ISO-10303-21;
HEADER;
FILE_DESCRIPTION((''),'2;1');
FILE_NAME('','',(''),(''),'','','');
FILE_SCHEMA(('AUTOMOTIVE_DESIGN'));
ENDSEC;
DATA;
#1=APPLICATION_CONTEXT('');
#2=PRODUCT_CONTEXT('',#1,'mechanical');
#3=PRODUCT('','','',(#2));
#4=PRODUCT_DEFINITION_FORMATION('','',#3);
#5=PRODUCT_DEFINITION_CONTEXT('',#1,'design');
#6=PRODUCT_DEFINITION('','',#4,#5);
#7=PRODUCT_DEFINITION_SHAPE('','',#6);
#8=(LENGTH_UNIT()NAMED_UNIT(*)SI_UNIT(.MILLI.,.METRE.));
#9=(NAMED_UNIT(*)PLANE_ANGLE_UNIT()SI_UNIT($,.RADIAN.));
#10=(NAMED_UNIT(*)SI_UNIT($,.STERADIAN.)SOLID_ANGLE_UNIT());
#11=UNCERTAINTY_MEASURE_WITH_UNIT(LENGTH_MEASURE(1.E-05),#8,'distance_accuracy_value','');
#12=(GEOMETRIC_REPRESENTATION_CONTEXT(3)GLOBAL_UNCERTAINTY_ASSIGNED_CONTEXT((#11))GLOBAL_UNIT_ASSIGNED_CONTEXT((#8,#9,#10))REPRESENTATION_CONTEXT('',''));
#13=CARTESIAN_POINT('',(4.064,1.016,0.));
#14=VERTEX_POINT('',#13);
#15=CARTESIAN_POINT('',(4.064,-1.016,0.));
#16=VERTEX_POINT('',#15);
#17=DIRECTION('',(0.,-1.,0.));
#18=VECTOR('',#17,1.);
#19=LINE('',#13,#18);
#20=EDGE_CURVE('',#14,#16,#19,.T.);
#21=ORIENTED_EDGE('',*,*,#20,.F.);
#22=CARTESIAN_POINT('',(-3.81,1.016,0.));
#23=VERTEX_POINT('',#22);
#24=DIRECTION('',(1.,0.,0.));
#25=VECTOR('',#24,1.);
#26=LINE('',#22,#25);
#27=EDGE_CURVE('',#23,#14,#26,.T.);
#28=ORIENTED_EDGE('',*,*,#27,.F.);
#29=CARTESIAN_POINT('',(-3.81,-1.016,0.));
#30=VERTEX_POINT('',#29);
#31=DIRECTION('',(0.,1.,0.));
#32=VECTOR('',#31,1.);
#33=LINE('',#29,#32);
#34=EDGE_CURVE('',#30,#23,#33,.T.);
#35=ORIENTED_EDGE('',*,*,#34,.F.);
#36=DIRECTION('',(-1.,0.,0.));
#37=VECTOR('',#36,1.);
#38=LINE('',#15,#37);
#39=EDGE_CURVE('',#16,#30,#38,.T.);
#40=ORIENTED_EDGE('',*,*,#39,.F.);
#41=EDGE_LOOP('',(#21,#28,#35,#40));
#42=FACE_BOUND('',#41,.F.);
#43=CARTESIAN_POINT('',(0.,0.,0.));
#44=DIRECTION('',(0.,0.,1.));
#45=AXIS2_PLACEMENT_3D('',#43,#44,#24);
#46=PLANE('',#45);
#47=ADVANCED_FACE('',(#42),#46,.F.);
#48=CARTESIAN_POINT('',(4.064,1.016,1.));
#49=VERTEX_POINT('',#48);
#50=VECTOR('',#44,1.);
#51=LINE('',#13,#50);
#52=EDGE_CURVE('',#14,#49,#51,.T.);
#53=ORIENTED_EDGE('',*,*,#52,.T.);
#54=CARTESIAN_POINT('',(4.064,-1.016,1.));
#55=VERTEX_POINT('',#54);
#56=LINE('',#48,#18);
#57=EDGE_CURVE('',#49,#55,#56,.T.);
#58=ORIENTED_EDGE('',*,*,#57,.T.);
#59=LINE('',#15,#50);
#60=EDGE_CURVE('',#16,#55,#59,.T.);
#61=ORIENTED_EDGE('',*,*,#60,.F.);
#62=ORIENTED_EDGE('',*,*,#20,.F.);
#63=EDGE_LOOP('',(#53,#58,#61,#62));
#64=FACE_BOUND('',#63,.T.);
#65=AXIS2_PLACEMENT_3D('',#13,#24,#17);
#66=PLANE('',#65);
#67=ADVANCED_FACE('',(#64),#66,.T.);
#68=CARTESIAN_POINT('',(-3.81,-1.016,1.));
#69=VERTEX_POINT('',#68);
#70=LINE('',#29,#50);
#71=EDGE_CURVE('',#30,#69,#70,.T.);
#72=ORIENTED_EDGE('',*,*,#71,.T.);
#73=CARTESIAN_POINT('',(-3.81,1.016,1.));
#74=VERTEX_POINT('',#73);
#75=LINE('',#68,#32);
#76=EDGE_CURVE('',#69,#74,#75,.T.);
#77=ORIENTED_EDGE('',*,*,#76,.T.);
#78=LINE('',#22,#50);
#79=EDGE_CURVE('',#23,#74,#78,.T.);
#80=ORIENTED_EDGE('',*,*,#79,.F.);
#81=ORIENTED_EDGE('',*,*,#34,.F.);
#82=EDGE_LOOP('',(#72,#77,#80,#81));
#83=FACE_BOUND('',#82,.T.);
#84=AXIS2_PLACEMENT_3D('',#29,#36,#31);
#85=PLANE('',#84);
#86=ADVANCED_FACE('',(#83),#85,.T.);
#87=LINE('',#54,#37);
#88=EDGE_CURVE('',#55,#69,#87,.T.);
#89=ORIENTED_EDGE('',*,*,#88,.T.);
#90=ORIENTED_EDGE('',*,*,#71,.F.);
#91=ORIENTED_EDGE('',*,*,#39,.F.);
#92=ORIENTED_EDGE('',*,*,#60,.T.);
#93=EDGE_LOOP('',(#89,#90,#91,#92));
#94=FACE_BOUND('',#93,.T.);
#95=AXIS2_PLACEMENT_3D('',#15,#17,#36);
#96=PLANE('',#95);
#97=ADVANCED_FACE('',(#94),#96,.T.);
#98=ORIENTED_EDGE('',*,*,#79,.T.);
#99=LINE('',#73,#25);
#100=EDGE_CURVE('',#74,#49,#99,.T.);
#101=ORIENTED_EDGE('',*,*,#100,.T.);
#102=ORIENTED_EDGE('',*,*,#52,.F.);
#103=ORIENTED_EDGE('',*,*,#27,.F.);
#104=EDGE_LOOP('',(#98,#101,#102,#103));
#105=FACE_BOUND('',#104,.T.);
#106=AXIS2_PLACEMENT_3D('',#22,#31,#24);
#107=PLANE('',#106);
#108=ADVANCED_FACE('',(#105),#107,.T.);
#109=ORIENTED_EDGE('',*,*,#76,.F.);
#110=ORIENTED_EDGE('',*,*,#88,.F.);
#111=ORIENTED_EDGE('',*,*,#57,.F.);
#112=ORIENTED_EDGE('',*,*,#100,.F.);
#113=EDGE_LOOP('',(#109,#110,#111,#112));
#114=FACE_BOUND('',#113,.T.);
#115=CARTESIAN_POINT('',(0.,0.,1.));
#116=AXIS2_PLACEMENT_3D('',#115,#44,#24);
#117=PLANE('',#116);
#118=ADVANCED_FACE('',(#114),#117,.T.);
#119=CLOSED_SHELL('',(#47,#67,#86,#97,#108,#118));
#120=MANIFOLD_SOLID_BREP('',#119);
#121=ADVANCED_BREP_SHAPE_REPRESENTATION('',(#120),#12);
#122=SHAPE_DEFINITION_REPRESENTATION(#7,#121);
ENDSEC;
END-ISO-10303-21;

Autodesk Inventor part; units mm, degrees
ref_plane "YZ Plane" through (0, 0, 0) normal (1, 0, 0) x (0, 1, 0)
ref_plane "XZ Plane" through (0, 0, 0) normal (0, 1, 0) x (-1, 0, 0)
ref_plane "XY Plane" through (0, 0, 0) normal (0, 0, 1) x (1, 0, 0)
sketch "DO35-7, 3V_16" plane through (0, 0, 0) normal (0, 0, 1) x (1, 0, 0)
  line L0 (-3.81, 1.016) -> (4.064, 1.016)
  line L1 (4.064, 1.016) -> (4.064, -1.016)
  line L2 (4.064, -1.016) -> (-3.81, -1.016)
  line L3 (-3.81, -1.016) -> (-3.81, 1.016)
extrude "Extrusion1" add sketch "DO35-7, 3V_16" along normal blind 1
properties part number "3V"
